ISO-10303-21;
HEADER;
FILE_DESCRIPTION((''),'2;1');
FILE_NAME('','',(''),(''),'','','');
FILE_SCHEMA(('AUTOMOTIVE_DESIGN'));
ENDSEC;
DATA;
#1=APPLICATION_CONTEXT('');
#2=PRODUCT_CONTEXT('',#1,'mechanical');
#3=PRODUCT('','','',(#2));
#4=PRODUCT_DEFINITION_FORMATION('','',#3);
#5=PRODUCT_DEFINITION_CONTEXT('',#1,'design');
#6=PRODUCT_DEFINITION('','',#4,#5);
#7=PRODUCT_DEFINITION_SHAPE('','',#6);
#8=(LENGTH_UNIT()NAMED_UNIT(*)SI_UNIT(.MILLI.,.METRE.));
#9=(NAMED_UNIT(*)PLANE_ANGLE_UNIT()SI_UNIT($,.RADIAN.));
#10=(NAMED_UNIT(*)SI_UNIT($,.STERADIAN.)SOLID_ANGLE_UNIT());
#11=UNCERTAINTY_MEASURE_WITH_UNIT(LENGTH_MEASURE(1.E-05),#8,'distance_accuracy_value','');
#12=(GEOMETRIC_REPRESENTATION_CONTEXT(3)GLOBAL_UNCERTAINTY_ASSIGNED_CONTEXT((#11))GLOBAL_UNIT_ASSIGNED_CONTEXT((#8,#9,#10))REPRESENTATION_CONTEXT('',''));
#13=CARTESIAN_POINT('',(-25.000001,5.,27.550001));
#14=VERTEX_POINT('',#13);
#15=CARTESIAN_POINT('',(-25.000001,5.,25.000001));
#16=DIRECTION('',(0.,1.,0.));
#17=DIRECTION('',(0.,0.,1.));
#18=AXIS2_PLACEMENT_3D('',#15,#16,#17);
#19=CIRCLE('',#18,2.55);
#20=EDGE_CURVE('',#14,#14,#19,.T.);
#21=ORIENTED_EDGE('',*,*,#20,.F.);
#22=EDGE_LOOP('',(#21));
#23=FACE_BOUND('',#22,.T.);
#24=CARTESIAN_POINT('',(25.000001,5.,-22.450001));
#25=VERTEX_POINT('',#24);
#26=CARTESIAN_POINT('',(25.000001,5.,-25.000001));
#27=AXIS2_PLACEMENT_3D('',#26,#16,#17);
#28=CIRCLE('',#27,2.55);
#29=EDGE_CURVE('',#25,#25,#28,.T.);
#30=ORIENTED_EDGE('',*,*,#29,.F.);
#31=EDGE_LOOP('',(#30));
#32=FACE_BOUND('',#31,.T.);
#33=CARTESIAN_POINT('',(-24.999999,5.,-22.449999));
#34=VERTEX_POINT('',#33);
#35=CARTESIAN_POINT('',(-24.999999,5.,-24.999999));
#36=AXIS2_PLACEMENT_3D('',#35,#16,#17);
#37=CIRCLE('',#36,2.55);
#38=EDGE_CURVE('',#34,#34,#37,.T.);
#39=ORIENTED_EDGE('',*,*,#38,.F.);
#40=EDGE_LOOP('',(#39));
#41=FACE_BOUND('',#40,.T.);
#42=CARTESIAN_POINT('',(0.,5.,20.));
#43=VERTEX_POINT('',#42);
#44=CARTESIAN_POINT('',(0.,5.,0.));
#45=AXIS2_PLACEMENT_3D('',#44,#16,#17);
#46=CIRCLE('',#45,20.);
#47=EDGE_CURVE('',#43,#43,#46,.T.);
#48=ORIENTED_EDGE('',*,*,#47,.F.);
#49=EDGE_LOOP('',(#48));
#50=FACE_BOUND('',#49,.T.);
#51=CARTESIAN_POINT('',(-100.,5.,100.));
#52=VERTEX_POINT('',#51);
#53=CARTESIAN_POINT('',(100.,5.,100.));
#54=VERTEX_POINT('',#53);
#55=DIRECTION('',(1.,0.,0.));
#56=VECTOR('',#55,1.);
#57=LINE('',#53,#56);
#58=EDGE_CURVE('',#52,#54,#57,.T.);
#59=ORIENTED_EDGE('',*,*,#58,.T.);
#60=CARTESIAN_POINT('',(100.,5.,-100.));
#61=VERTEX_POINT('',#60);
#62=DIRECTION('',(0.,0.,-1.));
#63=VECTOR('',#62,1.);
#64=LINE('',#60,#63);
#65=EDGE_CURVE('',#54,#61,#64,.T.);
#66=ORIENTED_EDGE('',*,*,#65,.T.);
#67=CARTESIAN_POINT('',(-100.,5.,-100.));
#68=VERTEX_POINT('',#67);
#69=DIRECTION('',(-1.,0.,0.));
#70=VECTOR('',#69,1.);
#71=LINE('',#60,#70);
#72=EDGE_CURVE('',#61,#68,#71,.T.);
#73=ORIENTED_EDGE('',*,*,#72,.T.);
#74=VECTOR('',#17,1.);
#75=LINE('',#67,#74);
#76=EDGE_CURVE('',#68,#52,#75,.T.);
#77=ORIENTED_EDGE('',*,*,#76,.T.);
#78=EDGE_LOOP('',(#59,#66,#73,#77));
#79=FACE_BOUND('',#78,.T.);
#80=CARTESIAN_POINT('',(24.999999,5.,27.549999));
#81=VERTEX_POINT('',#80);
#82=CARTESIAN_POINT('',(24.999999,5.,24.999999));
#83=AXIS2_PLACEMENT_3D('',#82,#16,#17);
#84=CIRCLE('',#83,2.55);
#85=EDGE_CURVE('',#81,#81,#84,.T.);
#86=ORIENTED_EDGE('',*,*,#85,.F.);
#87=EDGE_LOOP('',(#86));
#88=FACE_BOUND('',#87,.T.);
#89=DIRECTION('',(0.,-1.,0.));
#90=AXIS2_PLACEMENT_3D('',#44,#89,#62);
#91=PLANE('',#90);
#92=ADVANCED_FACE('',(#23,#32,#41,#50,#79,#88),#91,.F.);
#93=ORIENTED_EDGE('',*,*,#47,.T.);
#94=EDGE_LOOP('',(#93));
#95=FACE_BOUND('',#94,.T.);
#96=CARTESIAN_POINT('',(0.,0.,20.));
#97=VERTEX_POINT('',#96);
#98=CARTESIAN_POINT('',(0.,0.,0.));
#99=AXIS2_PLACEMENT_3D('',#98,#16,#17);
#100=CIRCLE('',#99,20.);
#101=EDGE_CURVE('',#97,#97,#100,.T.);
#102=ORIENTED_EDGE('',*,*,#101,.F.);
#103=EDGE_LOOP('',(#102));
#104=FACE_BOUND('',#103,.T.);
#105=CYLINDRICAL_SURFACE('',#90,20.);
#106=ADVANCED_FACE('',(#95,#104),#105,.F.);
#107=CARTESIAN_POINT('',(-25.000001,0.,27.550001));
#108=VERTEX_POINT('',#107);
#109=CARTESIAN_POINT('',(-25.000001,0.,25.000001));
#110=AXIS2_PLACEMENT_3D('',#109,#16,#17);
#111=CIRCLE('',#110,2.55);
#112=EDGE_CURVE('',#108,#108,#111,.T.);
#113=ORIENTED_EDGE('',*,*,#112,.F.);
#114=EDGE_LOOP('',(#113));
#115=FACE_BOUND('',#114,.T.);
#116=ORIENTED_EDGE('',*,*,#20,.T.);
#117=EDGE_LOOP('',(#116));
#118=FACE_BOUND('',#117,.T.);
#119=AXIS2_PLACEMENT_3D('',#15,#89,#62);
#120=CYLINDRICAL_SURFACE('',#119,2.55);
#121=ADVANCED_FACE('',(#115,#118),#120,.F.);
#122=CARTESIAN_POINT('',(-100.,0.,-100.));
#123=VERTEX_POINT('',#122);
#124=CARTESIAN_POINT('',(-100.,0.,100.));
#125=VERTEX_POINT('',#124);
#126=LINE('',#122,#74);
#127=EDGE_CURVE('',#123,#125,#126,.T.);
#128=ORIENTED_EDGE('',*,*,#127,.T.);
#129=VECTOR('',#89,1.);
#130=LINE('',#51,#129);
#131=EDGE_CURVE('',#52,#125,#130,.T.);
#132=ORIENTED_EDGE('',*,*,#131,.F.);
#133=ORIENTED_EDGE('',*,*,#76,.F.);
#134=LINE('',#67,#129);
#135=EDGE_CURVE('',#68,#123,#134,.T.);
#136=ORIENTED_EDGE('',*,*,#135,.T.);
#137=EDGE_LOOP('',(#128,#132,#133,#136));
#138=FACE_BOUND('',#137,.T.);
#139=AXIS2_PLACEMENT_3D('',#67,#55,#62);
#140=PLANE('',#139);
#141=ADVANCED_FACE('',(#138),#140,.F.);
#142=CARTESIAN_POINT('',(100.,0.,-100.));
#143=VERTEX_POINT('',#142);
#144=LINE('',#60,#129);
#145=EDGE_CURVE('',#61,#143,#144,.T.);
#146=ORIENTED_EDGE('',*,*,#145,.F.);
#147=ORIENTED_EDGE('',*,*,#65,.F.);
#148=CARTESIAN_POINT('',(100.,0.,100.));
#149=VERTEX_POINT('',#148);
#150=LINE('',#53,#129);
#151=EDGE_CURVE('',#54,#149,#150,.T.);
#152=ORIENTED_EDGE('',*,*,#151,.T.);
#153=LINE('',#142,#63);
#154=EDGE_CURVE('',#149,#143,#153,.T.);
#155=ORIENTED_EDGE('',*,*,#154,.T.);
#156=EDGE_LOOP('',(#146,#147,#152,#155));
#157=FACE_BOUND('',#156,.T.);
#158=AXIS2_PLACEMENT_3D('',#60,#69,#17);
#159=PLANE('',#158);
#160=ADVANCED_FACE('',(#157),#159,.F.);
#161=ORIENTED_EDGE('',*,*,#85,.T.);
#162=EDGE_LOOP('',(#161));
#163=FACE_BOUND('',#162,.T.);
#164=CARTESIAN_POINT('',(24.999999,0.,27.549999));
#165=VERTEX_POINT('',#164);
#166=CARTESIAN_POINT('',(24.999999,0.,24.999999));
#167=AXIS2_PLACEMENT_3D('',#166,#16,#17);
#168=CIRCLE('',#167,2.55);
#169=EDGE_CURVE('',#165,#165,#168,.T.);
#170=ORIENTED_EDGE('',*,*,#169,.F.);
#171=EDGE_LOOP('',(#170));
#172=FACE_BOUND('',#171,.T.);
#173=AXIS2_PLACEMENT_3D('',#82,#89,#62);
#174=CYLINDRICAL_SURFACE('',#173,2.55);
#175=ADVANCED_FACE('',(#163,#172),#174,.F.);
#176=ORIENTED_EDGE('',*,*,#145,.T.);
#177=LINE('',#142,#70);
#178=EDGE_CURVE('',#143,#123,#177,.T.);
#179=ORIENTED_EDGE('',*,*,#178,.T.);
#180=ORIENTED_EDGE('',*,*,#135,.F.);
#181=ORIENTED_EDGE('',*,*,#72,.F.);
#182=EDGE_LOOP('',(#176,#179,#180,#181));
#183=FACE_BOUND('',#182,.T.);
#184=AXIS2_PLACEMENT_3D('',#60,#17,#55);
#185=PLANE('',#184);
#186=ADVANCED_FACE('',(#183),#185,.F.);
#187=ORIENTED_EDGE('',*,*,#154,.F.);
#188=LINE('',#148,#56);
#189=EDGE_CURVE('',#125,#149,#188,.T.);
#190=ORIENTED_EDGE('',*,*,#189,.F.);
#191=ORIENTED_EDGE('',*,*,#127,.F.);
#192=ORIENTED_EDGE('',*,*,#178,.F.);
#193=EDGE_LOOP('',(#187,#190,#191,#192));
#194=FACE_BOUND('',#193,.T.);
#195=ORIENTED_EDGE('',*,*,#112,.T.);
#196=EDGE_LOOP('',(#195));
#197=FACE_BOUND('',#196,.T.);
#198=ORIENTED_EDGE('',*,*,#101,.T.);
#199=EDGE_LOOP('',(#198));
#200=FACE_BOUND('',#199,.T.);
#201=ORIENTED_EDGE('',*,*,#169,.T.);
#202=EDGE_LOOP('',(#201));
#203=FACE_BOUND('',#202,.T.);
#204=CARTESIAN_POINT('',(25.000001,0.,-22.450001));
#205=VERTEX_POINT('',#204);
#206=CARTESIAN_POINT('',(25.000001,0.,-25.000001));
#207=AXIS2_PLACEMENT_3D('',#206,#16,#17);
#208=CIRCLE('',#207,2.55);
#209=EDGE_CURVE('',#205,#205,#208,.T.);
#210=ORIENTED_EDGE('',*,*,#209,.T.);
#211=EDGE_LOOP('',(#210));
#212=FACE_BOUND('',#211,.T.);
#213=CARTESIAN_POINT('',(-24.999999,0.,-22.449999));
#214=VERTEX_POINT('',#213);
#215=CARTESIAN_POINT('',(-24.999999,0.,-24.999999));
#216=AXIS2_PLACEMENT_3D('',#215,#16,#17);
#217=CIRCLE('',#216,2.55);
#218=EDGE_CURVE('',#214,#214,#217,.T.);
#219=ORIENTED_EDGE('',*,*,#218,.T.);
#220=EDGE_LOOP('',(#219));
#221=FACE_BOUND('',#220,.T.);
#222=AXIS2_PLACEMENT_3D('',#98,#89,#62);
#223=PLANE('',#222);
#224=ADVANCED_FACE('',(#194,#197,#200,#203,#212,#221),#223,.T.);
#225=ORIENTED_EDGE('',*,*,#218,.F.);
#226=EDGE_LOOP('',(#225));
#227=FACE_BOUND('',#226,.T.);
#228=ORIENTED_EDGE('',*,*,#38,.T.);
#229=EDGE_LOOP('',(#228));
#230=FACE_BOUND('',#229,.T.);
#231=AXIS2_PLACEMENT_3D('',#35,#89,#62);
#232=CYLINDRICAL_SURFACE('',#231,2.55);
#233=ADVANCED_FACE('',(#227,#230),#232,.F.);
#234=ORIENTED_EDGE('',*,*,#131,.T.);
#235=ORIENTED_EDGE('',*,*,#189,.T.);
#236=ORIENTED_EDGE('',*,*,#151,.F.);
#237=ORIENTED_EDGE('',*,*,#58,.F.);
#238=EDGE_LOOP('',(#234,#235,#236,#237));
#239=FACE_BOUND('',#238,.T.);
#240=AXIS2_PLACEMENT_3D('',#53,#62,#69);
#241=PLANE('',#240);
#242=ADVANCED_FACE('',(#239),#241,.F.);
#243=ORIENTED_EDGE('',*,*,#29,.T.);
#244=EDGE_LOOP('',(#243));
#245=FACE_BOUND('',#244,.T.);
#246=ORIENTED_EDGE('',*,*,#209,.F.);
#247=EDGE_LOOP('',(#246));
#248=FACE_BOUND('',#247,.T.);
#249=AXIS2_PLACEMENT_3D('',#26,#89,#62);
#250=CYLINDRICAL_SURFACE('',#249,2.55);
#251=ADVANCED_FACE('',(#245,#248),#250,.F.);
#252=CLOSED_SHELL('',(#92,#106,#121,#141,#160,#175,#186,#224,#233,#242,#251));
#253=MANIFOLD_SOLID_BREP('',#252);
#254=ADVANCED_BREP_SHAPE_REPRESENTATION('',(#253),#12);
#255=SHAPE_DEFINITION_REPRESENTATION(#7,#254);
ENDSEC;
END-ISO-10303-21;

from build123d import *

# Parameters (mm, degrees)
SKETCH1_W           = 200
SKETCH1_H           = 200
SKETCH1_R           = 2.55
SKETCH1_R_2         = 20
BOSS_EXTRUDE1_DEPTH = 5


with BuildPart() as part:
    # Sketch1 → Boss-Extrude1 (new body)
    with BuildSketch(Plane(origin=(0, 0, 0), x_dir=(1, 0, 0), z_dir=(0, 1, 0))):
        Rectangle(SKETCH1_W, SKETCH1_H)
        with Locations(Location((-25.000001323, -25.000001323, 0), (0, 0, 270))):
            Circle(SKETCH1_R, mode=Mode.SUBTRACT)
        with Locations(Location((24.999998677, -24.999998677, 0), (0, 0, 270))):
            Circle(SKETCH1_R, mode=Mode.SUBTRACT)
        with Locations(Location((25.000001323, 25.000001323, 0), (0, 0, 270))):
            Circle(SKETCH1_R, mode=Mode.SUBTRACT)
        with Locations(Location((-24.999998677, 24.999998677, 0), (0, 0, 270))):
            Circle(SKETCH1_R, mode=Mode.SUBTRACT)
        with Locations(Location((0, 0, 0), (0, 0, 270))):
            Circle(SKETCH1_R_2, mode=Mode.SUBTRACT)
    extrude(amount=BOSS_EXTRUDE1_DEPTH)


solid = part.part
